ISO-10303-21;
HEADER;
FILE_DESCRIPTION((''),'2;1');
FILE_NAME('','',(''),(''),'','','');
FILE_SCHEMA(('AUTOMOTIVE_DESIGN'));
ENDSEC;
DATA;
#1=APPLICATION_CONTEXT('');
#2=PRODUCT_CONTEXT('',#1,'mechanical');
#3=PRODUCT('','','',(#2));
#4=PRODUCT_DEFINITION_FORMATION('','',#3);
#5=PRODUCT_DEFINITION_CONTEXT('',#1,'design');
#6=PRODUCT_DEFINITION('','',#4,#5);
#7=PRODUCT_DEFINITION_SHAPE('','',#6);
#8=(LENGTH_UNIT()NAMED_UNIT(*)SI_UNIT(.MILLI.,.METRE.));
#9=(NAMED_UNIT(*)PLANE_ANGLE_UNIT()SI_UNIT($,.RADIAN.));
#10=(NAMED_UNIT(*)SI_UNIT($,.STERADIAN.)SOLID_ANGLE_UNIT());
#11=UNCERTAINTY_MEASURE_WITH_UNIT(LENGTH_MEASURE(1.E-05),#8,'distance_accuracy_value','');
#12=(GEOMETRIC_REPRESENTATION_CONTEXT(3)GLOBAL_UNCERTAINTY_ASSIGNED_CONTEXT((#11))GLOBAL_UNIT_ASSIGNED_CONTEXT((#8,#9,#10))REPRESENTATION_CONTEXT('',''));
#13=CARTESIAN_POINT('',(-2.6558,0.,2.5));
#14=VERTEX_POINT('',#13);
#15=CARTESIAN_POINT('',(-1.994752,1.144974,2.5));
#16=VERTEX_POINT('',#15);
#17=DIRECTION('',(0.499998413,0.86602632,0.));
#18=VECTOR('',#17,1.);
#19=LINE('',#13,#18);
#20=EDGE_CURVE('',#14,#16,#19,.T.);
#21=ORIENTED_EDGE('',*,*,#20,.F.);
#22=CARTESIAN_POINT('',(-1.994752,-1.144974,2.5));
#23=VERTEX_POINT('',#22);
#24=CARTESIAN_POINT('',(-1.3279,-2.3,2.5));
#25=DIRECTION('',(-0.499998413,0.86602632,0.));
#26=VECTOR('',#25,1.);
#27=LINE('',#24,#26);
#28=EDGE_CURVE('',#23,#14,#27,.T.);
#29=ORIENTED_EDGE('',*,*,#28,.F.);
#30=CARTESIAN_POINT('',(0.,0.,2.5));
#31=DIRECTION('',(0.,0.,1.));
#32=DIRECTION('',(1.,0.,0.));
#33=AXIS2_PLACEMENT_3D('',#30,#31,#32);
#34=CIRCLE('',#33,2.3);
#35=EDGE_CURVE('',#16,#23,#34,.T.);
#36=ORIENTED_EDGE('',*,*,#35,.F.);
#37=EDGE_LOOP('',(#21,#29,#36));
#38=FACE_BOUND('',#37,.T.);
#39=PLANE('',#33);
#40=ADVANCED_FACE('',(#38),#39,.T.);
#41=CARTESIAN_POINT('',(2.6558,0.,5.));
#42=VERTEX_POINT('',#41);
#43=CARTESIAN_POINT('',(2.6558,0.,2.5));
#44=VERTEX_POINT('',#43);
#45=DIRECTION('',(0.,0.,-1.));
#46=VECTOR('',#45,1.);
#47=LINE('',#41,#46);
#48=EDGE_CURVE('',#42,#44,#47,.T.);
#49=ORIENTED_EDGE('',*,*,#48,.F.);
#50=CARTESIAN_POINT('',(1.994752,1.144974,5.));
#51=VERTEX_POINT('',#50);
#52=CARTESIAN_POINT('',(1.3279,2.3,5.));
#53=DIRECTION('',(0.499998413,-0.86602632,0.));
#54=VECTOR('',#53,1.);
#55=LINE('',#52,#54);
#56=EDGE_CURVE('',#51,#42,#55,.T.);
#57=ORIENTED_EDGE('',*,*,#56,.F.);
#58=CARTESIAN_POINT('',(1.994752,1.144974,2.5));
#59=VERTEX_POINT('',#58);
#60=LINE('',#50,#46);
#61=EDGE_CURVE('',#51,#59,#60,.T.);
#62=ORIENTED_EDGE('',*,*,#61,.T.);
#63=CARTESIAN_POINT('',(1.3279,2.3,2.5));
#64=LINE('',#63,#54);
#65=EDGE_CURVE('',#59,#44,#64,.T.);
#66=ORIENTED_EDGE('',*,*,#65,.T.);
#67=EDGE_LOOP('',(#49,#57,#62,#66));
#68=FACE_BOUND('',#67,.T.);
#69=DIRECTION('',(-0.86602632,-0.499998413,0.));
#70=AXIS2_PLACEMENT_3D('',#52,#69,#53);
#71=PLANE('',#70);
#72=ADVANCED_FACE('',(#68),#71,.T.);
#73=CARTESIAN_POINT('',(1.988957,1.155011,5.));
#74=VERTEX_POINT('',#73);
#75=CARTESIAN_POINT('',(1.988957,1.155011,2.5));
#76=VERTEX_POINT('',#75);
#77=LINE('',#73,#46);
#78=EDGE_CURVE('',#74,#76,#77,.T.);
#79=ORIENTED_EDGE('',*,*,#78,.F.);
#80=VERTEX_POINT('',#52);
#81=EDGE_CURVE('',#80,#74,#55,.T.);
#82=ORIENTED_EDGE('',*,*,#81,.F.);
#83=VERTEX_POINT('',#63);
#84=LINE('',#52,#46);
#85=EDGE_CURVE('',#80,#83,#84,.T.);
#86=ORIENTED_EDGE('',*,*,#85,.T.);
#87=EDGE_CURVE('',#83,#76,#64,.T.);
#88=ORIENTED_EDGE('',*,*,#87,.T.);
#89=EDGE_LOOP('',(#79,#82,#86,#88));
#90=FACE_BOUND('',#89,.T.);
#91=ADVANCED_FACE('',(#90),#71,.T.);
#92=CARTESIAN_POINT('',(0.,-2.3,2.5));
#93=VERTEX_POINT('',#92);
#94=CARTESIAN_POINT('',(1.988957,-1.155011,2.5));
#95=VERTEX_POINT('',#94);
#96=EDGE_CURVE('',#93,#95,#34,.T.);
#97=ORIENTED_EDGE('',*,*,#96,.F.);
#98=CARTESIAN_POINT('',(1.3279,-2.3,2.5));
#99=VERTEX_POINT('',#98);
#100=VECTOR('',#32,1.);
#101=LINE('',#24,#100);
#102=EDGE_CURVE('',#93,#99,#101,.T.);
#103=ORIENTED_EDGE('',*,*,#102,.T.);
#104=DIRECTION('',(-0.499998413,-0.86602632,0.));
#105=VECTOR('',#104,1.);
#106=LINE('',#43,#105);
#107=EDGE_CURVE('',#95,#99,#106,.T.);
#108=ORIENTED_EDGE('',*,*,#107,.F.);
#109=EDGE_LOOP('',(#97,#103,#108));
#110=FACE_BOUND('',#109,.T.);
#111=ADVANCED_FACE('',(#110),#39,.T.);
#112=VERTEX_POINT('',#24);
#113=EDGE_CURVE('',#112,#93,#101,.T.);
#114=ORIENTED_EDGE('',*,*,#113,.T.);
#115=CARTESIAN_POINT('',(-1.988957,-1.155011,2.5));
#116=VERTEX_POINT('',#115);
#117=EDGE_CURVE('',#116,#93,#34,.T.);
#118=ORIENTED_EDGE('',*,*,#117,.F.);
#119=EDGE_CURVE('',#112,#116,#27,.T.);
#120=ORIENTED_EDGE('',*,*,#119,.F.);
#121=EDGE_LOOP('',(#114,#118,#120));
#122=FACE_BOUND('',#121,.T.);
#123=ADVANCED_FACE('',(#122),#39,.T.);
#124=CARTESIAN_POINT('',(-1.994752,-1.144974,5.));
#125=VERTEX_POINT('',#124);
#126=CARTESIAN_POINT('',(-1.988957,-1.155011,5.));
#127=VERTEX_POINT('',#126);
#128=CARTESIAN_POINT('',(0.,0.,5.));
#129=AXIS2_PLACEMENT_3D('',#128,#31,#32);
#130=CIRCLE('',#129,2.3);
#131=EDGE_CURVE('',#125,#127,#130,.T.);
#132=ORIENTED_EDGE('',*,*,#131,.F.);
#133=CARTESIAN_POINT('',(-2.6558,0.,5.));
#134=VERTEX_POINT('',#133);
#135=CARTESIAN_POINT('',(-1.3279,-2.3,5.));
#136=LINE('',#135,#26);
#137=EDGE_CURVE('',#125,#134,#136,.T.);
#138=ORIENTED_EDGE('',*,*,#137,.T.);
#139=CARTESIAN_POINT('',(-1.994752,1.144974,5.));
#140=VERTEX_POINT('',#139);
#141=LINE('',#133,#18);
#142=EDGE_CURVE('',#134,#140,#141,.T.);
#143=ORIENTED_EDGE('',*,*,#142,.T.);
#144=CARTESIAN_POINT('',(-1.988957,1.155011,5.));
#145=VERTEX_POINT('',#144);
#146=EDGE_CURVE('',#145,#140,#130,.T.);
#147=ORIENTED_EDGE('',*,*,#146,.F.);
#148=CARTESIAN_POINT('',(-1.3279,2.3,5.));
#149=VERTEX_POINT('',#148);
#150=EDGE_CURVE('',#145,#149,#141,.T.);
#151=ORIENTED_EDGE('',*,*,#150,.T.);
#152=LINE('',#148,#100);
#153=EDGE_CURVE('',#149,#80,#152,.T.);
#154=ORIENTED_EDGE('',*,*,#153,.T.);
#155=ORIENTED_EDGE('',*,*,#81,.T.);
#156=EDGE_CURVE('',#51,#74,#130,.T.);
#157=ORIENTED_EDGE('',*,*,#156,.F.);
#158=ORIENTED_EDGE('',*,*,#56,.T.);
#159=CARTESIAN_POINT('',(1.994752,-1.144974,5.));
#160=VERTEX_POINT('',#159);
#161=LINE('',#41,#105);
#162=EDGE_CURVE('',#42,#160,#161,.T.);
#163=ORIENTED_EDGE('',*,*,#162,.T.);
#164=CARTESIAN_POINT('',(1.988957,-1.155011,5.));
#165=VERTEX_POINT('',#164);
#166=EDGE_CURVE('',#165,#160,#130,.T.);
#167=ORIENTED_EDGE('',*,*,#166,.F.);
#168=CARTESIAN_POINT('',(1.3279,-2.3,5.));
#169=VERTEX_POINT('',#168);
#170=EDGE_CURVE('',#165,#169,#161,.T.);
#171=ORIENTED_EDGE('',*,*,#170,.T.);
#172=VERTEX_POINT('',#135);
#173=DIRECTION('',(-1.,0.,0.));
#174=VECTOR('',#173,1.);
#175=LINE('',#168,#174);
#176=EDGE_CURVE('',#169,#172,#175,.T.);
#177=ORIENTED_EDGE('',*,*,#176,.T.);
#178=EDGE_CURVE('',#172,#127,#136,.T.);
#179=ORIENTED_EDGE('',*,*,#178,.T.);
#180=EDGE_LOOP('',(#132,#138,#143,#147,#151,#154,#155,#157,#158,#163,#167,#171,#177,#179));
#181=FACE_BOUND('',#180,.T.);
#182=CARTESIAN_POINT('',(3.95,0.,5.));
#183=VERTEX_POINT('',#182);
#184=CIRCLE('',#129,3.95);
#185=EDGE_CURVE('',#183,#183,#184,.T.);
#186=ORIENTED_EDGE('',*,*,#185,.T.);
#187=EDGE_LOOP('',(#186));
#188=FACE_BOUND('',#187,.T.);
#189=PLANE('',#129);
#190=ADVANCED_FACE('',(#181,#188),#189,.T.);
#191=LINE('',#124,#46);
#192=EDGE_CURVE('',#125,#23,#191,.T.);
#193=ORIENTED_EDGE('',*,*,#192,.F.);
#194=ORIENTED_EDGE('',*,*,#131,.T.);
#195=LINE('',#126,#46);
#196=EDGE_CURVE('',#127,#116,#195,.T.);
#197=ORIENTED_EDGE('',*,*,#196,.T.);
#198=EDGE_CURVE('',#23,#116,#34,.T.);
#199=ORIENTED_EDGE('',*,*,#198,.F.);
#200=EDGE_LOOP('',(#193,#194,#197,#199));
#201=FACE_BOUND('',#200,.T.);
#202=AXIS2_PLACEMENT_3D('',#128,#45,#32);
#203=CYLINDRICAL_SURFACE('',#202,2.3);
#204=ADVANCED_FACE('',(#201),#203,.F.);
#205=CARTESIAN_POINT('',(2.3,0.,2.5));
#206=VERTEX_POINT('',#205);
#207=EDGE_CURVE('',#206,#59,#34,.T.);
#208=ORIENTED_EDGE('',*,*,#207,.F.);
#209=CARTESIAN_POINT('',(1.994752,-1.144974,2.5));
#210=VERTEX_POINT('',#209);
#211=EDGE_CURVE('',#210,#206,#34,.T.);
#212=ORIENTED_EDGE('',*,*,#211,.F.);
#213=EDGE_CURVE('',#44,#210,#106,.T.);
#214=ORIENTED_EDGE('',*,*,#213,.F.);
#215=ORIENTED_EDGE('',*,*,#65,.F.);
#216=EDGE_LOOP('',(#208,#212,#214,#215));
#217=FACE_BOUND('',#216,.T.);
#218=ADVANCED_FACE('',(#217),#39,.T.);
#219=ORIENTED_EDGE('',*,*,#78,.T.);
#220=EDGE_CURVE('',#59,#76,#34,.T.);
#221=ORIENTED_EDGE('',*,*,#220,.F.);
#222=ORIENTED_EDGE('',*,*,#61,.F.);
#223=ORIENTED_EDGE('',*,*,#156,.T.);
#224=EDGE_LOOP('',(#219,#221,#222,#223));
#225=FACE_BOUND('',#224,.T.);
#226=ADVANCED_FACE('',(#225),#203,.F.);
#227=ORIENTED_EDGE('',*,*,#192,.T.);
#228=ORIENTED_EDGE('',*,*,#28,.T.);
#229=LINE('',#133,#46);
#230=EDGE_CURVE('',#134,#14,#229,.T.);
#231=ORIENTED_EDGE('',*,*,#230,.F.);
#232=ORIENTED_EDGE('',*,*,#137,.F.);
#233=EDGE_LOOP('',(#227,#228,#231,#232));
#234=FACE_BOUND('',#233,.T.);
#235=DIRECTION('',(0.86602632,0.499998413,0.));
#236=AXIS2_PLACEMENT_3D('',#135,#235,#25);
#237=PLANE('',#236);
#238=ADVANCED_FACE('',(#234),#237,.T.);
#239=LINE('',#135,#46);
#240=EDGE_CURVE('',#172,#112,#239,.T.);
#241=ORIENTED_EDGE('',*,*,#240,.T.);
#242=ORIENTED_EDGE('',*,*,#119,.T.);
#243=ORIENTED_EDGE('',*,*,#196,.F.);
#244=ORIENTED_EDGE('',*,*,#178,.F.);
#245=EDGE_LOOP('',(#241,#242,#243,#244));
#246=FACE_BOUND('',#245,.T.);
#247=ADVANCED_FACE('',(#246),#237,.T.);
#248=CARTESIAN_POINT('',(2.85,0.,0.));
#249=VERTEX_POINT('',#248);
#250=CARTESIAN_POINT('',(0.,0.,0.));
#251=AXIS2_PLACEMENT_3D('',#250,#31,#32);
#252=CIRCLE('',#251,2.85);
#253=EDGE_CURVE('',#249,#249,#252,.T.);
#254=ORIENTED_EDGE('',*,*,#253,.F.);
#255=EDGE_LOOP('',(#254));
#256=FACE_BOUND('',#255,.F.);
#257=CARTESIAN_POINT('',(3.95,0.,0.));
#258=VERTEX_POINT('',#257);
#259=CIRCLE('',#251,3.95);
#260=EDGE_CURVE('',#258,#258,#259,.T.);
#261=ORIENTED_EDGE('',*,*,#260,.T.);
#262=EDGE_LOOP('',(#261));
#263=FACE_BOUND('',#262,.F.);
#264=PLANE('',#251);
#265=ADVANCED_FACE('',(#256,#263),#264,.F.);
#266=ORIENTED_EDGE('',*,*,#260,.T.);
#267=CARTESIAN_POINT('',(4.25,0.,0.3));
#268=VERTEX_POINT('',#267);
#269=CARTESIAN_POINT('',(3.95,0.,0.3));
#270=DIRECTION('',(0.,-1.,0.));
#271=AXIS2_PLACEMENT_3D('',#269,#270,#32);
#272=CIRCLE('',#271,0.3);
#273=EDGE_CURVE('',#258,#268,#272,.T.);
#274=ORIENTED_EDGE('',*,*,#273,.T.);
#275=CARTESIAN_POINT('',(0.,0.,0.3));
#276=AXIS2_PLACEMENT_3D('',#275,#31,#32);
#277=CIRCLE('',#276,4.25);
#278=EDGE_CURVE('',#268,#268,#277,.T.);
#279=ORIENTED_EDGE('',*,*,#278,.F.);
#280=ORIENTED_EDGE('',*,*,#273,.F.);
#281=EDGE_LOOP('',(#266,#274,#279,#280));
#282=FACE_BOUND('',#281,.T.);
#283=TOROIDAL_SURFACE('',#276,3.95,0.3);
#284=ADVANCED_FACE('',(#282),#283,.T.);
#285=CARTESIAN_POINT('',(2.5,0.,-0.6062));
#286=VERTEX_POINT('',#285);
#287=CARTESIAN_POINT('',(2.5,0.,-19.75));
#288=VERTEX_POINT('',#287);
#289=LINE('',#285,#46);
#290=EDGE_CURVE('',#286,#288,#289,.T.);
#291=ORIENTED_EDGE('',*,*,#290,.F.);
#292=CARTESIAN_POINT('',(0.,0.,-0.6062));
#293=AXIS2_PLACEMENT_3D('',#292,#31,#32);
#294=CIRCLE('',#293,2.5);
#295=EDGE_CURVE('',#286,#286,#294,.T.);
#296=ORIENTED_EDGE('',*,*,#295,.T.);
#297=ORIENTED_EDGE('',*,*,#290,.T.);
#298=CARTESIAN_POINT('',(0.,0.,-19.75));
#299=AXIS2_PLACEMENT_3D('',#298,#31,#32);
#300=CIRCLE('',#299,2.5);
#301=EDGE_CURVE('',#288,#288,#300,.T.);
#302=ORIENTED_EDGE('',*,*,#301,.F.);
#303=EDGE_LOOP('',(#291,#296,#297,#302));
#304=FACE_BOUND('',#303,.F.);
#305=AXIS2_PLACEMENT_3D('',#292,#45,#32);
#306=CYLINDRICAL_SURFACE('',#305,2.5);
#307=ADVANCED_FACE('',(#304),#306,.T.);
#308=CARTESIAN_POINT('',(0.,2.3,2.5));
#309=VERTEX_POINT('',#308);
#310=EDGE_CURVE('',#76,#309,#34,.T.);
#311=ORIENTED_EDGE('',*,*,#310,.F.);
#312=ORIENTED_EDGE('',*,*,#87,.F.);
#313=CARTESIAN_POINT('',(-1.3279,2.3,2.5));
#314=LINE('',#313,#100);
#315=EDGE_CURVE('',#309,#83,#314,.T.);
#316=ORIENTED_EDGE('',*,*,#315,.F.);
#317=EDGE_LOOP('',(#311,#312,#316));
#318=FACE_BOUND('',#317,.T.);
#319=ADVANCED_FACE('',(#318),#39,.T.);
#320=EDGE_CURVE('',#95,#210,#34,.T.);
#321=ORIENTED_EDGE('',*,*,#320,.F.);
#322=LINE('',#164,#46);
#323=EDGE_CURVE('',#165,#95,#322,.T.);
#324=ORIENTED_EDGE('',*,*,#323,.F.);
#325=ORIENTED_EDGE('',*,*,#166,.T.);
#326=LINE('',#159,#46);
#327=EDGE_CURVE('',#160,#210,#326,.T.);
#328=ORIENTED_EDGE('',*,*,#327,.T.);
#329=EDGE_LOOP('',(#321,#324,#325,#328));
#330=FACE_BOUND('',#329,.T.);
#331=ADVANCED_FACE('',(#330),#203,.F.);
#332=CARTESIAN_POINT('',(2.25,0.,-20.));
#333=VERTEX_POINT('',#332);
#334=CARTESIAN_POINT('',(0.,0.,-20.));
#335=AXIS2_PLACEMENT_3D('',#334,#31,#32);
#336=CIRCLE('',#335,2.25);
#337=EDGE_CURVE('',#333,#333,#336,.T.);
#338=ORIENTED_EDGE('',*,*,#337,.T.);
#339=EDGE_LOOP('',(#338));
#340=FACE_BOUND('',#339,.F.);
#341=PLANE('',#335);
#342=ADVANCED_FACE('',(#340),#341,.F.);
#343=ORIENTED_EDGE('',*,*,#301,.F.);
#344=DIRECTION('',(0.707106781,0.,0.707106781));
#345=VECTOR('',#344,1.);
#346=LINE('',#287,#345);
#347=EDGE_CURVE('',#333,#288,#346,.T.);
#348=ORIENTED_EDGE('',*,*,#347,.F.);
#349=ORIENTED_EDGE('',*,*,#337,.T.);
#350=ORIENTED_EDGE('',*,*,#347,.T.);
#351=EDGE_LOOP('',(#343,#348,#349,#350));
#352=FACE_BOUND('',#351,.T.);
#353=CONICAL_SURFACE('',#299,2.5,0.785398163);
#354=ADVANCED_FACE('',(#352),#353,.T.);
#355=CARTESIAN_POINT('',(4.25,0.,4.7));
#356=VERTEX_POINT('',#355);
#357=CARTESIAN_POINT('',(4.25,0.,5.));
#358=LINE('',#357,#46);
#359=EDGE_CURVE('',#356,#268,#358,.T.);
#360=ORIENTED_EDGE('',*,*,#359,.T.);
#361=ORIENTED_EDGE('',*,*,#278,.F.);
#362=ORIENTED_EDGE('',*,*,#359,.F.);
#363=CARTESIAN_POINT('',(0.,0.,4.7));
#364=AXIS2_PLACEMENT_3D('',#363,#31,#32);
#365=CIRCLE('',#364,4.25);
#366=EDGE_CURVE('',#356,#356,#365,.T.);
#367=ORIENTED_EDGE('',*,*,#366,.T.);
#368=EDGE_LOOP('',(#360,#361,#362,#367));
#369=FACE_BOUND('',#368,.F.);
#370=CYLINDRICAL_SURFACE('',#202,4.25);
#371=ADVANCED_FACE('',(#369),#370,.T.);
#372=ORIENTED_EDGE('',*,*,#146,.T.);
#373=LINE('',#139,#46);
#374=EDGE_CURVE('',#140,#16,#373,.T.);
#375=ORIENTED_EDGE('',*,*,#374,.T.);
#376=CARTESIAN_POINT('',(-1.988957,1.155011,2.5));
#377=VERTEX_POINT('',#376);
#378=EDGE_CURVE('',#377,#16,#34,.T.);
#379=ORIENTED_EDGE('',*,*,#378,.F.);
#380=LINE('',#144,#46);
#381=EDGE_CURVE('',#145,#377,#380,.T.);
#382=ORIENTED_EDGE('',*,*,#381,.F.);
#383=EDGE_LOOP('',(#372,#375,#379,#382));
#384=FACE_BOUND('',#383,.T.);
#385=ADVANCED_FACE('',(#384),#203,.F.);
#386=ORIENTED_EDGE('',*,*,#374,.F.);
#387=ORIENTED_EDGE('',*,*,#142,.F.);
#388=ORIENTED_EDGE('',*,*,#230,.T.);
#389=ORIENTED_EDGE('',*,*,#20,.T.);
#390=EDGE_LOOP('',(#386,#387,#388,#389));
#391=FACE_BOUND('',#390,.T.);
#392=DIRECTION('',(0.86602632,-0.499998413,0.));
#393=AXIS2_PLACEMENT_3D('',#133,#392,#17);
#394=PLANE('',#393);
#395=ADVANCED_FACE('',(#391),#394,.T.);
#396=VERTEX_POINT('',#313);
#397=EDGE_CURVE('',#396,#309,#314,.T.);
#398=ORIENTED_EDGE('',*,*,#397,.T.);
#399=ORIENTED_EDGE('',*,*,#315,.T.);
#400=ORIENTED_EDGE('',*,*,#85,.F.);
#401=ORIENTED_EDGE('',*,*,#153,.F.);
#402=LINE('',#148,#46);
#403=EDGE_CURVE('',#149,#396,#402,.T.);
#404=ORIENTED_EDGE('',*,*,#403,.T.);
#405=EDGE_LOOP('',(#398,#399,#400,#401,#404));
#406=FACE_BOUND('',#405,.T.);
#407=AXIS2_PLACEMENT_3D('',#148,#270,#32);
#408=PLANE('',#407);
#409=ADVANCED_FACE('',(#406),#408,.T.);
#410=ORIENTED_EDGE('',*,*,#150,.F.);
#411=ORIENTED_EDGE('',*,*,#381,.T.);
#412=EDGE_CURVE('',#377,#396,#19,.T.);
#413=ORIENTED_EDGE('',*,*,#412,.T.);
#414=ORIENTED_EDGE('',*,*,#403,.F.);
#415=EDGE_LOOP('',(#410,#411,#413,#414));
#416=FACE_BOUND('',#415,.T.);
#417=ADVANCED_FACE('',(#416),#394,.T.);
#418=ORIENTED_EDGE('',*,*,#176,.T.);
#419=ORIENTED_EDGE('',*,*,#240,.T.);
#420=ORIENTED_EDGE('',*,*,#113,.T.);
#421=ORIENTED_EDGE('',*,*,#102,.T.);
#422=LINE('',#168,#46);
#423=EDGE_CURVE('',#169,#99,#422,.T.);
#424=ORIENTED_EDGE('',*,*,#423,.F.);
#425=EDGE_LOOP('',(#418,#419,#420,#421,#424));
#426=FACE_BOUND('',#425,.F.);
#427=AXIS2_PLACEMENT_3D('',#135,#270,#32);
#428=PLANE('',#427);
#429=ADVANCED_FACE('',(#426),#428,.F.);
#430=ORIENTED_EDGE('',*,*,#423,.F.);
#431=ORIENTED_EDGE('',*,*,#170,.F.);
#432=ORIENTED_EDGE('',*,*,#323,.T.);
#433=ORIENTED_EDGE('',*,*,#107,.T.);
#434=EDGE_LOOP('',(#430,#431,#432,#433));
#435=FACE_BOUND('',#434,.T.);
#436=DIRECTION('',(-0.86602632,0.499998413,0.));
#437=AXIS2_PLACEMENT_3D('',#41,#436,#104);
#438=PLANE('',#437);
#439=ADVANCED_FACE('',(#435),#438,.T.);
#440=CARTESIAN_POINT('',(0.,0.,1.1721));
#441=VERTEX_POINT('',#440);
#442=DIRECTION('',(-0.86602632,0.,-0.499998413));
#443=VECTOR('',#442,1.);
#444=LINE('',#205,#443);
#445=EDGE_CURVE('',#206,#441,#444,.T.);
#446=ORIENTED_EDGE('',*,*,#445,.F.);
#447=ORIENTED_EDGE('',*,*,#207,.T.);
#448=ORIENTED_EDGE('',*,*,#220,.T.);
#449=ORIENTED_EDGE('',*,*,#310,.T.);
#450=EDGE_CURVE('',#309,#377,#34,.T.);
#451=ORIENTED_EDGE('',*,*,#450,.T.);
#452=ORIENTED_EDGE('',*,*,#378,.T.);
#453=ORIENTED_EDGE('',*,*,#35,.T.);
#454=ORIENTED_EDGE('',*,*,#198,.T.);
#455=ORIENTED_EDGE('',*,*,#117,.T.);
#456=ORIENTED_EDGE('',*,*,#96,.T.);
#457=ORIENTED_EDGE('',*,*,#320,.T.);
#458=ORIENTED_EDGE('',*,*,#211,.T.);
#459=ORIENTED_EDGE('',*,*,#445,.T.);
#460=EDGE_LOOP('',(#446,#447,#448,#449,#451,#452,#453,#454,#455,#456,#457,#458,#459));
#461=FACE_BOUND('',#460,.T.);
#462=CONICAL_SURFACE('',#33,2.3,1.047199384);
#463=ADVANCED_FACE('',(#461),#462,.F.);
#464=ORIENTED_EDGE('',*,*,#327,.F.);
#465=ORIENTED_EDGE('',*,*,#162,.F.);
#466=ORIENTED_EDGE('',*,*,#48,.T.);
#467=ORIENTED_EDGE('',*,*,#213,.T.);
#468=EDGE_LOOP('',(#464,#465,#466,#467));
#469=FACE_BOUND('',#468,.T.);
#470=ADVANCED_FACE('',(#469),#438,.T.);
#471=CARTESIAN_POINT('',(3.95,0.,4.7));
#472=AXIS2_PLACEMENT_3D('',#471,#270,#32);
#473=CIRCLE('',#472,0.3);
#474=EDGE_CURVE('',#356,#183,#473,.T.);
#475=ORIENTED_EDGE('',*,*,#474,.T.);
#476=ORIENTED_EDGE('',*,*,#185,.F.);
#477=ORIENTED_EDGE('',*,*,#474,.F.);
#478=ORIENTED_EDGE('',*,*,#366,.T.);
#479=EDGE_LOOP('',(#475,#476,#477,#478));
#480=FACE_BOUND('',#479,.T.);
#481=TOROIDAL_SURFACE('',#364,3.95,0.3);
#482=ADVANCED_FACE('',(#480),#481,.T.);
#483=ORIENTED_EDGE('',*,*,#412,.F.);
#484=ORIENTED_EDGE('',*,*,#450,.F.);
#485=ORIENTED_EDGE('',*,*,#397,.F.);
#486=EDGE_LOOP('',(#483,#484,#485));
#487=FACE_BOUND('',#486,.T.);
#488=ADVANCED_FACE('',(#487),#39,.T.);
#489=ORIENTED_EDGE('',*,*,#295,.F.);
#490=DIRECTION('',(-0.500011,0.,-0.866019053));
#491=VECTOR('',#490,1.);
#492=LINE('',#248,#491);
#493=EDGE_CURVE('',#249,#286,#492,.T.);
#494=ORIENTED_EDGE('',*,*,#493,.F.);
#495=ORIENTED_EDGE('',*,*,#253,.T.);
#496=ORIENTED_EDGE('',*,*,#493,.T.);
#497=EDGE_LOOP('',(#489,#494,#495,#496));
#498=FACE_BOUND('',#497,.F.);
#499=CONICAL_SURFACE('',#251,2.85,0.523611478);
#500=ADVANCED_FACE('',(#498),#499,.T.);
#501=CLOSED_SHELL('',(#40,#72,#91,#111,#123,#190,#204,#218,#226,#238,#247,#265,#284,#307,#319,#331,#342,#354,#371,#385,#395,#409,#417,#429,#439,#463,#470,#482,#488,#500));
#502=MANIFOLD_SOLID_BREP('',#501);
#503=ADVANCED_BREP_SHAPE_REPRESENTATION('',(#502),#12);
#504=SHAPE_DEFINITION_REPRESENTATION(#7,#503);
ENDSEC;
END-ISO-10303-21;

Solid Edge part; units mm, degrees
sketch "Sketch1" plane through (0, 0, 0) normal (0, -1, 0) x (1, 0, 0)
  line L0 (4.25, 5) -> (4.25, 0)
  line L1 (4.25, 0) -> (2.85, 0)
  line L2 (2.85, 0) -> (2.5, -0.6062)
  line L3 (2.5, -0.6062) -> (2.5, -20)
  line L4 (2.5, -20) -> (0, -20)
  line L5 (2.3, 2.5) -> (0, 1.1721)
  line L6 (2.3, 5) -> (2.3, 2.5)
  line L7 (4.25, 5) -> (2.3, 5)
  dimension "D1" = 2.5
  dimension "D2" = 20
  dimension "D3" = 5
revolve "RevolvedProtrusion1" add sketch "Sketch1" angle 360 about axis through (0, 0, -6) along (0, 0, 1)
cosmetic_thread "Thread1" size "M5"
chamfer "Chamfer_1" distance 0.25 angle 45 1 edges at (-2.5, 0, -20)
fillet "Round_1" radius 0.3 2 edges at (-4.25, 0, 0) (-4.25, 0, 5)
sketch "Sketch2" plane through (0, 0, 5) normal (0, 0, 1) x (0, 1, 0)
  line L0 (-2.3, 1.3279) -> (-2.3, -1.3279)
  line L1 (0, -2.6558) -> (-2.3, -1.3279)
  line L2 (2.3, -1.3279) -> (0, -2.6558)
  line L3 (2.3, 1.3279) -> (2.3, -1.3279)
  line L4 (0, 2.6558) -> (2.3, 1.3279)
  line L5 (-2.3, 1.3279) -> (0, 2.6558)
extrude "Cutout1" cut sketch "Sketch2" against normal up to vertex (2.5 mm away)
properties material "Galvanized steel"
